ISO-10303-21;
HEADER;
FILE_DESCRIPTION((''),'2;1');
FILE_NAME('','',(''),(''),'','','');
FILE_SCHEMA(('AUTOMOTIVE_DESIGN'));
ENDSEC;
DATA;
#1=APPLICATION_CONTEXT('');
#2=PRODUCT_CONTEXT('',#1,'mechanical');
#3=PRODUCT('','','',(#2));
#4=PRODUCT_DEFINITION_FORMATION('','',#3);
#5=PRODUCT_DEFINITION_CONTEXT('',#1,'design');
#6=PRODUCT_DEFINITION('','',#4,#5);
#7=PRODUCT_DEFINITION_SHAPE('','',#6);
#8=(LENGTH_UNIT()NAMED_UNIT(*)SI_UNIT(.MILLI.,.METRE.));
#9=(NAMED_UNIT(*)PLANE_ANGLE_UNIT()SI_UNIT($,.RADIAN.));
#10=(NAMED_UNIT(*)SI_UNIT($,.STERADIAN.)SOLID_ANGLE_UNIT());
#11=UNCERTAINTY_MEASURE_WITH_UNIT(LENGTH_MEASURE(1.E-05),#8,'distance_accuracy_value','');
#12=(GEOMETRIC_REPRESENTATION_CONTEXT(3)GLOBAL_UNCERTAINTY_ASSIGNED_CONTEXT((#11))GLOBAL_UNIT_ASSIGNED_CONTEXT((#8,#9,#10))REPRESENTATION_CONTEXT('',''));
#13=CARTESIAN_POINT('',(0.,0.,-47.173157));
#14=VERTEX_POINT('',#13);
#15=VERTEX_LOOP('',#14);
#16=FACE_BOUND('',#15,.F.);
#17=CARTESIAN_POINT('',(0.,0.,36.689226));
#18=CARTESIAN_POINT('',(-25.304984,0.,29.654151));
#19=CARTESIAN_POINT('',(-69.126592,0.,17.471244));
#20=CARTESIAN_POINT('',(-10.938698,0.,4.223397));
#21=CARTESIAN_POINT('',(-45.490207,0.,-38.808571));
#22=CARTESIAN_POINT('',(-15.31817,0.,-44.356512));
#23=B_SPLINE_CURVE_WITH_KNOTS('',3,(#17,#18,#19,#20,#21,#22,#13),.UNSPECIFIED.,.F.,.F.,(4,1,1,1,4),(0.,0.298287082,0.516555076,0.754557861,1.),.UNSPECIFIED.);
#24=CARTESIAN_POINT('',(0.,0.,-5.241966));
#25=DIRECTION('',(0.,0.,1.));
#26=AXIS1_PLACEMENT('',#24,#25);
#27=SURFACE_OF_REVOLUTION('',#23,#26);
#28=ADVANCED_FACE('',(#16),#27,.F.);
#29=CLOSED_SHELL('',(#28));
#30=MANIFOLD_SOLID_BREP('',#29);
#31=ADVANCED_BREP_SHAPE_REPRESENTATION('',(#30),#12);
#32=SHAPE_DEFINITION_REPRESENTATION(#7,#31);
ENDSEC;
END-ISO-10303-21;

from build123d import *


with BuildPart() as f1:
    # F0 (on Front) → F1 (revolve)
    with BuildSketch(Plane.XZ):
        with BuildLine():
            add(Edge.make_bspline(
                [(0, 36.6892255843), (-25.3049839577, 29.6541509349), (-69.1265923125, 17.4712441233), (-10.9386983471, 4.2233965953), (-45.4902065158, -38.8085714719), (-15.3181699622, -44.356512072), (0, -47.1731573343)],
                knots=[0, 0, 0, 0, 0.2982870822, 0.5165550755, 0.7545578607, 1, 1, 1, 1], degree=3))
            Line((0, -47.1731573343), (0, 36.6892255843))
        make_face()
    revolve(axis=Axis((0, 0, -5.241965875), (0, 0, 1)))


solid = f1.part
